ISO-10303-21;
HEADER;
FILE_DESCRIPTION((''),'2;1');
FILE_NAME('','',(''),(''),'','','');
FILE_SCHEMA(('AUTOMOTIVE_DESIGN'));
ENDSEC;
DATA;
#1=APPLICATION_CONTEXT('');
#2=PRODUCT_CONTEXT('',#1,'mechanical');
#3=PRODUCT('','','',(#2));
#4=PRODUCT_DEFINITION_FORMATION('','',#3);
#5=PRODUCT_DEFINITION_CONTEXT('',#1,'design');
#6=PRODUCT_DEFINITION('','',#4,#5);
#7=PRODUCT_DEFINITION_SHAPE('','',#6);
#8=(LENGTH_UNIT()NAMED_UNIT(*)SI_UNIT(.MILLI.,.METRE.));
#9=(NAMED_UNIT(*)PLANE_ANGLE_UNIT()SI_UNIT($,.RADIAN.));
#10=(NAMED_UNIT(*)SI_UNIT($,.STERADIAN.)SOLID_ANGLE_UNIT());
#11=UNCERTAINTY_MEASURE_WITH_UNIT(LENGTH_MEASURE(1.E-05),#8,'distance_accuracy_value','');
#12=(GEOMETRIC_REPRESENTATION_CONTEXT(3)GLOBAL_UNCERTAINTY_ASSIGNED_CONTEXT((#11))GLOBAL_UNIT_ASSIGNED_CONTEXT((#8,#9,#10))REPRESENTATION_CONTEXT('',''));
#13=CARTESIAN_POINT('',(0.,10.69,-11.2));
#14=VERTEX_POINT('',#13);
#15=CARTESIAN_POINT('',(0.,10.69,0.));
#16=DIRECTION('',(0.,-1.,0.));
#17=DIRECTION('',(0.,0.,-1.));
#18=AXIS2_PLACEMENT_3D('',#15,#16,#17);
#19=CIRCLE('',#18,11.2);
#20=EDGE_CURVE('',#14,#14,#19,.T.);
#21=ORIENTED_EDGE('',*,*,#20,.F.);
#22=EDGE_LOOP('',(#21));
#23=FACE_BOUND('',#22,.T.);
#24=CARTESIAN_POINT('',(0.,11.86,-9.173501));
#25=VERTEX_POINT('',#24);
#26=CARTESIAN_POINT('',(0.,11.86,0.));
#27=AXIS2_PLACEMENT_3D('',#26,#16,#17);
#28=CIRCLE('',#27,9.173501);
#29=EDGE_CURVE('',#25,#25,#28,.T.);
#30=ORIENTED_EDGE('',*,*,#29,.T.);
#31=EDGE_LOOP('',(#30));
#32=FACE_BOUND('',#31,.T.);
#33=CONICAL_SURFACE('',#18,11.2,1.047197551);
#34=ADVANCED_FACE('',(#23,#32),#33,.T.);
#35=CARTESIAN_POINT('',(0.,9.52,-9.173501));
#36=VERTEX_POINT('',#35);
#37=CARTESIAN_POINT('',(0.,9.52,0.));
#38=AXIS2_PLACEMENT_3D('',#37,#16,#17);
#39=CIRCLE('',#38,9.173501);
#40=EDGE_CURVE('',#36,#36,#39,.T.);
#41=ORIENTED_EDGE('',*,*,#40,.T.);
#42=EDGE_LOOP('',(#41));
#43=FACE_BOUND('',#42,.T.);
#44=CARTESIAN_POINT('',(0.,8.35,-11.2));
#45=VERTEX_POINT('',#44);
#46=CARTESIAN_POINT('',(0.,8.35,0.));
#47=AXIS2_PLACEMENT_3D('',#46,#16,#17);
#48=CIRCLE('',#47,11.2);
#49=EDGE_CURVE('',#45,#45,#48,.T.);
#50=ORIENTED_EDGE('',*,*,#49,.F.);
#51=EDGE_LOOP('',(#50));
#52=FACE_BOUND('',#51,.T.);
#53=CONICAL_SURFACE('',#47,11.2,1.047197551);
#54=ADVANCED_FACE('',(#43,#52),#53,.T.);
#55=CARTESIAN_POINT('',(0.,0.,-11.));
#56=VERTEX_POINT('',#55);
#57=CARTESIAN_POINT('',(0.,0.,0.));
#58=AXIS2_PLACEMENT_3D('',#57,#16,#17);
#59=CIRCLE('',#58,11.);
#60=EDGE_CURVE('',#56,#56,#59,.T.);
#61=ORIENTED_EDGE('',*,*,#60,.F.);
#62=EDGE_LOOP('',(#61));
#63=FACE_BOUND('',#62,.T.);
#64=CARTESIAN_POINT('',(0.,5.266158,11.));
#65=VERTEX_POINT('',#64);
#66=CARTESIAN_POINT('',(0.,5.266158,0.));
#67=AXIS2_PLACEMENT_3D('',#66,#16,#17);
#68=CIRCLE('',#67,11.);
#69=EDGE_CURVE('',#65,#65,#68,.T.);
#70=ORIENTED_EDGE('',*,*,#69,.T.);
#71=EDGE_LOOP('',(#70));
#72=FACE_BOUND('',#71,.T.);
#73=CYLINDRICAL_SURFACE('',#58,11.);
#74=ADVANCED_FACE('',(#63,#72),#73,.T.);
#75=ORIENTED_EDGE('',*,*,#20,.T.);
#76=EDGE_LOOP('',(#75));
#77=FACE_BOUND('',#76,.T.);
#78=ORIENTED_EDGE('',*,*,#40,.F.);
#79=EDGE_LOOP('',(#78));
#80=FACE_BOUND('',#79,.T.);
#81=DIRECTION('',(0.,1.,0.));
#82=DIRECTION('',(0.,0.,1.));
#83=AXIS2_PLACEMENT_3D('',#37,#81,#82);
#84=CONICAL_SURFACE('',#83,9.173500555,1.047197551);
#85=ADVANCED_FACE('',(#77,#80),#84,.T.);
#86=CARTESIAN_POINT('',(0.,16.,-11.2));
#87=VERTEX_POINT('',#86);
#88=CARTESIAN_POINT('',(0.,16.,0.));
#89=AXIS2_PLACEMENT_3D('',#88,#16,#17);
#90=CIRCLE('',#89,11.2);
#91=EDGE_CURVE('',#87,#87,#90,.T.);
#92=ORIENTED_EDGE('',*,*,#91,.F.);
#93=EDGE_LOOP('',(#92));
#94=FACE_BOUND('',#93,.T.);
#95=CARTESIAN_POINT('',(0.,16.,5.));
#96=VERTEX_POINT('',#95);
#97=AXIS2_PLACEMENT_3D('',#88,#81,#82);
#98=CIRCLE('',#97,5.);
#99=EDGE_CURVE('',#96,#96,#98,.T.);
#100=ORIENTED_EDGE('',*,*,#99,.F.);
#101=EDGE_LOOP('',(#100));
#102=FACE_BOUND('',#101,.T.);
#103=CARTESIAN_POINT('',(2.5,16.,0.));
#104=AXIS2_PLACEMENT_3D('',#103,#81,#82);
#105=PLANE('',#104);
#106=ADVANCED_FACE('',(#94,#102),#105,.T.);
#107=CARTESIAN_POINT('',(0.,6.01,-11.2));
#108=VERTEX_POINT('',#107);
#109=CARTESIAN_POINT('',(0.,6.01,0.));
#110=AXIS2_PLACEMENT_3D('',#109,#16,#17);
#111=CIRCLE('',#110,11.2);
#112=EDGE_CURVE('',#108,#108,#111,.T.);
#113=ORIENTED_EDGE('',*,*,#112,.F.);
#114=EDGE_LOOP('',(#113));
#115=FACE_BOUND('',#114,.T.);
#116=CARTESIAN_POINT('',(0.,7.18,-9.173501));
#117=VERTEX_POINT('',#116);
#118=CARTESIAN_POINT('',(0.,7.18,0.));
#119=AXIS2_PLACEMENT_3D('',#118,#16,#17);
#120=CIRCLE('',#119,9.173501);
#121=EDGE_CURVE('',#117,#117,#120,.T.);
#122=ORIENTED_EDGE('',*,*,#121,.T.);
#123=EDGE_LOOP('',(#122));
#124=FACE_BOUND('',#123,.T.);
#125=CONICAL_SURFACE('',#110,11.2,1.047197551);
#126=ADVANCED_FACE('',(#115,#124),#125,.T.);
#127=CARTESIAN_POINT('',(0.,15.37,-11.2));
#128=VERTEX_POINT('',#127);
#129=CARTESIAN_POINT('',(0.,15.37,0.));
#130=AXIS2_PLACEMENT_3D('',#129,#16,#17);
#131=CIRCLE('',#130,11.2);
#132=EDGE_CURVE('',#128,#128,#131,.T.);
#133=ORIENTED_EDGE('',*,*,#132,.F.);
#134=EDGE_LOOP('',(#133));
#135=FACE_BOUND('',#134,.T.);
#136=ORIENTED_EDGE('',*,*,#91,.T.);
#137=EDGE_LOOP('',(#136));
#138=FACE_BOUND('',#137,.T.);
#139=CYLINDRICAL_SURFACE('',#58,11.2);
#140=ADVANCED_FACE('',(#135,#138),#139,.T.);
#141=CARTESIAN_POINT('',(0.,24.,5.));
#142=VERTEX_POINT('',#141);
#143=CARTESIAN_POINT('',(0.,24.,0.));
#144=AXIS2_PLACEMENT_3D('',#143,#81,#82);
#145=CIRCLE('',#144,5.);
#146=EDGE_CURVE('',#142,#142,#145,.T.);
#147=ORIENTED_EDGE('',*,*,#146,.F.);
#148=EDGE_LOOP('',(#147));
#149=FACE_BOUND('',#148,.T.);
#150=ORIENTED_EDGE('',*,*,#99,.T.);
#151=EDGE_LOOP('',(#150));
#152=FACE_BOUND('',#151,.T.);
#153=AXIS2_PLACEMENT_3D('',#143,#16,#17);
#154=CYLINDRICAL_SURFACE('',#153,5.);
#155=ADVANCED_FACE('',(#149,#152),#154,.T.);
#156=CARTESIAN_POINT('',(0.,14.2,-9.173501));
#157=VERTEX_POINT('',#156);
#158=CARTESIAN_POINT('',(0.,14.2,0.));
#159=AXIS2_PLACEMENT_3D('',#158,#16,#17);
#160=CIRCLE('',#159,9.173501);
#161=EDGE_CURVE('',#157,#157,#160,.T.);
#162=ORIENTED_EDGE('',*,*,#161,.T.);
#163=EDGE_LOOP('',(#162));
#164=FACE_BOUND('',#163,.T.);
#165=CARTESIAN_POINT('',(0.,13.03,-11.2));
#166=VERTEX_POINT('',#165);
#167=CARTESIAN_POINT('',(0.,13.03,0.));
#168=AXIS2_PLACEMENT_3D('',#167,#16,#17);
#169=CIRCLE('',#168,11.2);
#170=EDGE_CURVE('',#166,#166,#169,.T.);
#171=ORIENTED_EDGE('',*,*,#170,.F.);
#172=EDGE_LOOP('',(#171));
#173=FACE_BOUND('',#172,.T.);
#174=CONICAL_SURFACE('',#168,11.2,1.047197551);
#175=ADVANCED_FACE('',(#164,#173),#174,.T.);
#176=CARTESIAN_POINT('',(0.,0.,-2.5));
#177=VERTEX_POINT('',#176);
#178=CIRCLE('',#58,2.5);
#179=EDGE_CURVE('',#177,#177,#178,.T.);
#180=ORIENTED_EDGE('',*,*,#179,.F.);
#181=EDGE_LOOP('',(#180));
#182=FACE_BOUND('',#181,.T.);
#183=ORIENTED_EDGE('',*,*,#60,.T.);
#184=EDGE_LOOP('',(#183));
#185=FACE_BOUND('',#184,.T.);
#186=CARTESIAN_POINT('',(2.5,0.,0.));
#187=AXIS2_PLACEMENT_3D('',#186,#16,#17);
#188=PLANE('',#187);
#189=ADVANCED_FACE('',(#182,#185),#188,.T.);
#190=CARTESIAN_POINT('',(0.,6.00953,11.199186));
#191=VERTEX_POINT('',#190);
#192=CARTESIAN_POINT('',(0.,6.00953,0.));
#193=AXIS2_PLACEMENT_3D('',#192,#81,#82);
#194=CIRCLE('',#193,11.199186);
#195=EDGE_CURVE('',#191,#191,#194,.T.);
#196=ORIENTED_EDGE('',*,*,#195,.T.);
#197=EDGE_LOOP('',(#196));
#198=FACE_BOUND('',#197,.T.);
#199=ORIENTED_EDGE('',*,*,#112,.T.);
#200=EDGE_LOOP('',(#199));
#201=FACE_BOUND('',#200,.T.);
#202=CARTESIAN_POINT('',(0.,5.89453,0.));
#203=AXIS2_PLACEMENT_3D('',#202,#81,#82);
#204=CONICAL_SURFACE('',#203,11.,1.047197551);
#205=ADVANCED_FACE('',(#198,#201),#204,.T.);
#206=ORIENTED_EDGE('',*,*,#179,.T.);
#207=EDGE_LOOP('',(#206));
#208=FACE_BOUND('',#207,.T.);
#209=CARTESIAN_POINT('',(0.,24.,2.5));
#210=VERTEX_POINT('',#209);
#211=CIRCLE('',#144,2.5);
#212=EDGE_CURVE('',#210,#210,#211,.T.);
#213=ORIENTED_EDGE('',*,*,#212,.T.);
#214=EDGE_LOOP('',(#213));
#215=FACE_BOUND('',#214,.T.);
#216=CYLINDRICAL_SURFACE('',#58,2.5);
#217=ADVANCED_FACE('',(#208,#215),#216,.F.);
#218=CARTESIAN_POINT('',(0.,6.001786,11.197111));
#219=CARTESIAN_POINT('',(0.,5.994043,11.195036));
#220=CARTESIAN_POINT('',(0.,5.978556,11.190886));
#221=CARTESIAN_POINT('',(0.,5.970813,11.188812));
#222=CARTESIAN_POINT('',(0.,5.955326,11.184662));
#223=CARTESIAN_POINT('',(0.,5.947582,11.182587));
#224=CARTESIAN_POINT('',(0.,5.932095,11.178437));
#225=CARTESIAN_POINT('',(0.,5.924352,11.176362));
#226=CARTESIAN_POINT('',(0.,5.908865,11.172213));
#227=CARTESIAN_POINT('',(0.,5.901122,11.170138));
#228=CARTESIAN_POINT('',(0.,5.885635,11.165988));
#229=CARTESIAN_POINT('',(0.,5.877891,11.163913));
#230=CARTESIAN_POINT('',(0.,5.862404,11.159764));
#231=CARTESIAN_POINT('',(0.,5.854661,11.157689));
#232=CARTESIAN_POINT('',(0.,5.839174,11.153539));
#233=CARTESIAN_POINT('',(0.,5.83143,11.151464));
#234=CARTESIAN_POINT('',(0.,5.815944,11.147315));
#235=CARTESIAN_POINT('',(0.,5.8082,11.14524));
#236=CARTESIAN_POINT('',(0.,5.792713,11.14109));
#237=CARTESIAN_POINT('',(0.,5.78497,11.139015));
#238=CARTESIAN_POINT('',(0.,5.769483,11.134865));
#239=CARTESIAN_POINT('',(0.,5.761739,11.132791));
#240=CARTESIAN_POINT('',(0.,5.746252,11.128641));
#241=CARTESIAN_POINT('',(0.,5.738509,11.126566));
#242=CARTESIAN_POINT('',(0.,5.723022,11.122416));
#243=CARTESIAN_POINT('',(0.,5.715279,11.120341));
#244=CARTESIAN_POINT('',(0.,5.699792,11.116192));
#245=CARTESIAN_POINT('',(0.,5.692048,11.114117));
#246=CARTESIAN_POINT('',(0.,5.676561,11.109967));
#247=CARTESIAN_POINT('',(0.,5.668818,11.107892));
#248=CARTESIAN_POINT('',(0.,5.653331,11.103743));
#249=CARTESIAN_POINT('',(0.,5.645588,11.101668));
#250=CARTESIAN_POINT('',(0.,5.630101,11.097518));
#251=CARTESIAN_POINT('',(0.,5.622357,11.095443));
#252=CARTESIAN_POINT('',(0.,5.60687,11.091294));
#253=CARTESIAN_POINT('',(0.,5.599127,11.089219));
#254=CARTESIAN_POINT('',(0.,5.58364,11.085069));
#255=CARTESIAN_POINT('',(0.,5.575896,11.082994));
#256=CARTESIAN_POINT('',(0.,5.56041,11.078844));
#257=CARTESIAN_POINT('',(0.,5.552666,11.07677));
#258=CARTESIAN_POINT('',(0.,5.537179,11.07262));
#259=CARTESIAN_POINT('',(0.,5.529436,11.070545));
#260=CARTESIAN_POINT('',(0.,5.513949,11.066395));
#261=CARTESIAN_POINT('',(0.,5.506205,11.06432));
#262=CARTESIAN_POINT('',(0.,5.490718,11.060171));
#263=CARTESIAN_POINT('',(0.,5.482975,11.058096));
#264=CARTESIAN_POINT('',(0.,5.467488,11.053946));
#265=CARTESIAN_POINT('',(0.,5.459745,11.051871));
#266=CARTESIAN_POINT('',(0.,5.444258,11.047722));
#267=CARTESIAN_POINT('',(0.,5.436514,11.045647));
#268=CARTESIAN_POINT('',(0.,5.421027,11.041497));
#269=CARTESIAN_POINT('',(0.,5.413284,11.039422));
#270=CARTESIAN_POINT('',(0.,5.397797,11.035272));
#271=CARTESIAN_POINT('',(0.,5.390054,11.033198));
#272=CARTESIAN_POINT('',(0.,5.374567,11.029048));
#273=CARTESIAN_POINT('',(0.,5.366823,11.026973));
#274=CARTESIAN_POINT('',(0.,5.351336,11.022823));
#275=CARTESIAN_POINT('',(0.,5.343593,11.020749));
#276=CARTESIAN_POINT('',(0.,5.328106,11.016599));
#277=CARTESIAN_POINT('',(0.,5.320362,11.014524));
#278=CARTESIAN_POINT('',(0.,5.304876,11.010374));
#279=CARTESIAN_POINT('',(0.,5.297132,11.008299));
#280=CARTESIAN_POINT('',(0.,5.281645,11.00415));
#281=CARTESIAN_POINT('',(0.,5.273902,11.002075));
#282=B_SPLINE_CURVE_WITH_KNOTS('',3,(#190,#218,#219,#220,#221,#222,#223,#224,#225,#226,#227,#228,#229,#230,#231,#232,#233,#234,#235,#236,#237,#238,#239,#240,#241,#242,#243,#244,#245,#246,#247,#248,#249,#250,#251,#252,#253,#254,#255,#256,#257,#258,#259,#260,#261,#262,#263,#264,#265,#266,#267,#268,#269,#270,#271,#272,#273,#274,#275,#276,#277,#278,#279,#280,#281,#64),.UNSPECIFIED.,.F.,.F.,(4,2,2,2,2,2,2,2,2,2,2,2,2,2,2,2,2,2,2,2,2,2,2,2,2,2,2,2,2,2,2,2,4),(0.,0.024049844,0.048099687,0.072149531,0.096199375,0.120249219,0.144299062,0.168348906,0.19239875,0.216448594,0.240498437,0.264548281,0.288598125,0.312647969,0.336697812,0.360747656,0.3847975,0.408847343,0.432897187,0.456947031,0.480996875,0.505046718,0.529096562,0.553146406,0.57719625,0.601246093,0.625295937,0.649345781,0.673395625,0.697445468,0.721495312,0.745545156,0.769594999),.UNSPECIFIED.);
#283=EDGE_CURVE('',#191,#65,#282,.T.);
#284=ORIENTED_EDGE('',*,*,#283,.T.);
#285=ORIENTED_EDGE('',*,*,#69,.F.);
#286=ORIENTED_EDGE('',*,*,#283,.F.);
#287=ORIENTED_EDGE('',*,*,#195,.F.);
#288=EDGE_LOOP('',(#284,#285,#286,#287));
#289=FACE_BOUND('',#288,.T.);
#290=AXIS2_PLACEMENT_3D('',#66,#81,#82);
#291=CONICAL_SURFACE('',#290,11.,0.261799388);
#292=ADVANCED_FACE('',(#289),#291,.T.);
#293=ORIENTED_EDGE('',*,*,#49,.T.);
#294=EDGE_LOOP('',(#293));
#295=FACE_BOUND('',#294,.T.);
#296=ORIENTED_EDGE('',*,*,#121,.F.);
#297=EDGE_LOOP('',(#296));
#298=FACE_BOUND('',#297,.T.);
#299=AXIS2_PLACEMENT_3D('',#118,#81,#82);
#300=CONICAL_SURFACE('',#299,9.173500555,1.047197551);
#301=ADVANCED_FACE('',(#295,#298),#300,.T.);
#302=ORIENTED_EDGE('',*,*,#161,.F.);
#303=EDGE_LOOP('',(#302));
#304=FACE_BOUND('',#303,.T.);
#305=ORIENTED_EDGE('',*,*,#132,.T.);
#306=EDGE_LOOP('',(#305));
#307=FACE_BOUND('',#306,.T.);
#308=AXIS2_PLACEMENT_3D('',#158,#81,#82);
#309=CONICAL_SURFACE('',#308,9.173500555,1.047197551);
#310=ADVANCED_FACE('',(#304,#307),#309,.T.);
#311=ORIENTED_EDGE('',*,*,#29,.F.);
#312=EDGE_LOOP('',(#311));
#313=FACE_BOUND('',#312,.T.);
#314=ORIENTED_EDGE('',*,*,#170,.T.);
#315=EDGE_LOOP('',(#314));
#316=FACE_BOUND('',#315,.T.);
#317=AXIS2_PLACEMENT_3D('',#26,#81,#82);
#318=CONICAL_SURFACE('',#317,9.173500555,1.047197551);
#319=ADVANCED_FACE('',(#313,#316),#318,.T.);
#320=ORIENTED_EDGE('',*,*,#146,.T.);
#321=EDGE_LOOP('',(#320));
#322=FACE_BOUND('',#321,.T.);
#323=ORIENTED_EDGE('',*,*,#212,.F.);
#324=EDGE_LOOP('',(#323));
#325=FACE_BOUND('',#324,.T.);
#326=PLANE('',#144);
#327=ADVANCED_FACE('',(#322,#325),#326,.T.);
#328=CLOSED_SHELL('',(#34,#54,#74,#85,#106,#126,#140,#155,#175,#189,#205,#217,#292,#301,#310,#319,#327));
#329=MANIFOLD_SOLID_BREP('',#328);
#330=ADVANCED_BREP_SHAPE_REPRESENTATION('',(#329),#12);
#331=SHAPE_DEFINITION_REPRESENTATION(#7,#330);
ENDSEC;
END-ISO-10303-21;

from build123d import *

# Parameters (mm, degrees)
CHANFRO1_SIZE            = 0.23
CHANFRO1_SIZE2           = 0.628371686
ESBO_O2_R                = 5
ESBO_O2_R_2              = 2.5
RESSALTO_EXTRUS_O1_DEPTH = 8


with BuildPart() as part:
    # Esboço1 → Revolução1 (revolve)
    with BuildSketch(Plane.XY, mode=Mode.PRIVATE) as revolu_o1_sk:
        Polygon((11, 0), (11, 5.894529946), (11.2, 6.01), (9.173500555, 7.18), (11.2, 8.35), (9.173500555, 9.52), (11.2, 10.69), (9.173500555, 11.86), (11.2, 13.03), (9.173500555, 14.2), (11.2, 15.37), (11.2, 16), (2.5, 16), (2.5, 0), align=None)
    revolve(revolu_o1_sk.sketch.rotate(Axis((0, 0, 0), (0, 1, 0)), 90), axis=Axis((0, 0, 0), (0, 1, 0)))

    # Chanfro1
    chanfro1_edges = [part.edges().sort_by_distance(p)[0] for p in [
        (0, 5.894529946, 11),
    ]]
    chanfro1_side = [part.faces().sort_by_distance(p)[0] for p in [
        (0, 5.952264973, 11.1),
    ]]
    chamfer(chanfro1_edges, length=CHANFRO1_SIZE, length2=CHANFRO1_SIZE2, reference=chanfro1_side[0])

    # Esboço2 → Ressalto-extrusão1 (add)
    with BuildSketch(Plane(origin=(0, 16, 0), x_dir=(1, 0, 0), z_dir=(0, 1, 0))):
        with Locations(Location((0, 0, 0), (0, 0, 270))):
            Circle(ESBO_O2_R)
        with Locations(Location((0, 0, 0), (0, 0, 90))):
            Circle(ESBO_O2_R_2, mode=Mode.SUBTRACT)
    extrude(amount=RESSALTO_EXTRUS_O1_DEPTH)


solid = part.part
